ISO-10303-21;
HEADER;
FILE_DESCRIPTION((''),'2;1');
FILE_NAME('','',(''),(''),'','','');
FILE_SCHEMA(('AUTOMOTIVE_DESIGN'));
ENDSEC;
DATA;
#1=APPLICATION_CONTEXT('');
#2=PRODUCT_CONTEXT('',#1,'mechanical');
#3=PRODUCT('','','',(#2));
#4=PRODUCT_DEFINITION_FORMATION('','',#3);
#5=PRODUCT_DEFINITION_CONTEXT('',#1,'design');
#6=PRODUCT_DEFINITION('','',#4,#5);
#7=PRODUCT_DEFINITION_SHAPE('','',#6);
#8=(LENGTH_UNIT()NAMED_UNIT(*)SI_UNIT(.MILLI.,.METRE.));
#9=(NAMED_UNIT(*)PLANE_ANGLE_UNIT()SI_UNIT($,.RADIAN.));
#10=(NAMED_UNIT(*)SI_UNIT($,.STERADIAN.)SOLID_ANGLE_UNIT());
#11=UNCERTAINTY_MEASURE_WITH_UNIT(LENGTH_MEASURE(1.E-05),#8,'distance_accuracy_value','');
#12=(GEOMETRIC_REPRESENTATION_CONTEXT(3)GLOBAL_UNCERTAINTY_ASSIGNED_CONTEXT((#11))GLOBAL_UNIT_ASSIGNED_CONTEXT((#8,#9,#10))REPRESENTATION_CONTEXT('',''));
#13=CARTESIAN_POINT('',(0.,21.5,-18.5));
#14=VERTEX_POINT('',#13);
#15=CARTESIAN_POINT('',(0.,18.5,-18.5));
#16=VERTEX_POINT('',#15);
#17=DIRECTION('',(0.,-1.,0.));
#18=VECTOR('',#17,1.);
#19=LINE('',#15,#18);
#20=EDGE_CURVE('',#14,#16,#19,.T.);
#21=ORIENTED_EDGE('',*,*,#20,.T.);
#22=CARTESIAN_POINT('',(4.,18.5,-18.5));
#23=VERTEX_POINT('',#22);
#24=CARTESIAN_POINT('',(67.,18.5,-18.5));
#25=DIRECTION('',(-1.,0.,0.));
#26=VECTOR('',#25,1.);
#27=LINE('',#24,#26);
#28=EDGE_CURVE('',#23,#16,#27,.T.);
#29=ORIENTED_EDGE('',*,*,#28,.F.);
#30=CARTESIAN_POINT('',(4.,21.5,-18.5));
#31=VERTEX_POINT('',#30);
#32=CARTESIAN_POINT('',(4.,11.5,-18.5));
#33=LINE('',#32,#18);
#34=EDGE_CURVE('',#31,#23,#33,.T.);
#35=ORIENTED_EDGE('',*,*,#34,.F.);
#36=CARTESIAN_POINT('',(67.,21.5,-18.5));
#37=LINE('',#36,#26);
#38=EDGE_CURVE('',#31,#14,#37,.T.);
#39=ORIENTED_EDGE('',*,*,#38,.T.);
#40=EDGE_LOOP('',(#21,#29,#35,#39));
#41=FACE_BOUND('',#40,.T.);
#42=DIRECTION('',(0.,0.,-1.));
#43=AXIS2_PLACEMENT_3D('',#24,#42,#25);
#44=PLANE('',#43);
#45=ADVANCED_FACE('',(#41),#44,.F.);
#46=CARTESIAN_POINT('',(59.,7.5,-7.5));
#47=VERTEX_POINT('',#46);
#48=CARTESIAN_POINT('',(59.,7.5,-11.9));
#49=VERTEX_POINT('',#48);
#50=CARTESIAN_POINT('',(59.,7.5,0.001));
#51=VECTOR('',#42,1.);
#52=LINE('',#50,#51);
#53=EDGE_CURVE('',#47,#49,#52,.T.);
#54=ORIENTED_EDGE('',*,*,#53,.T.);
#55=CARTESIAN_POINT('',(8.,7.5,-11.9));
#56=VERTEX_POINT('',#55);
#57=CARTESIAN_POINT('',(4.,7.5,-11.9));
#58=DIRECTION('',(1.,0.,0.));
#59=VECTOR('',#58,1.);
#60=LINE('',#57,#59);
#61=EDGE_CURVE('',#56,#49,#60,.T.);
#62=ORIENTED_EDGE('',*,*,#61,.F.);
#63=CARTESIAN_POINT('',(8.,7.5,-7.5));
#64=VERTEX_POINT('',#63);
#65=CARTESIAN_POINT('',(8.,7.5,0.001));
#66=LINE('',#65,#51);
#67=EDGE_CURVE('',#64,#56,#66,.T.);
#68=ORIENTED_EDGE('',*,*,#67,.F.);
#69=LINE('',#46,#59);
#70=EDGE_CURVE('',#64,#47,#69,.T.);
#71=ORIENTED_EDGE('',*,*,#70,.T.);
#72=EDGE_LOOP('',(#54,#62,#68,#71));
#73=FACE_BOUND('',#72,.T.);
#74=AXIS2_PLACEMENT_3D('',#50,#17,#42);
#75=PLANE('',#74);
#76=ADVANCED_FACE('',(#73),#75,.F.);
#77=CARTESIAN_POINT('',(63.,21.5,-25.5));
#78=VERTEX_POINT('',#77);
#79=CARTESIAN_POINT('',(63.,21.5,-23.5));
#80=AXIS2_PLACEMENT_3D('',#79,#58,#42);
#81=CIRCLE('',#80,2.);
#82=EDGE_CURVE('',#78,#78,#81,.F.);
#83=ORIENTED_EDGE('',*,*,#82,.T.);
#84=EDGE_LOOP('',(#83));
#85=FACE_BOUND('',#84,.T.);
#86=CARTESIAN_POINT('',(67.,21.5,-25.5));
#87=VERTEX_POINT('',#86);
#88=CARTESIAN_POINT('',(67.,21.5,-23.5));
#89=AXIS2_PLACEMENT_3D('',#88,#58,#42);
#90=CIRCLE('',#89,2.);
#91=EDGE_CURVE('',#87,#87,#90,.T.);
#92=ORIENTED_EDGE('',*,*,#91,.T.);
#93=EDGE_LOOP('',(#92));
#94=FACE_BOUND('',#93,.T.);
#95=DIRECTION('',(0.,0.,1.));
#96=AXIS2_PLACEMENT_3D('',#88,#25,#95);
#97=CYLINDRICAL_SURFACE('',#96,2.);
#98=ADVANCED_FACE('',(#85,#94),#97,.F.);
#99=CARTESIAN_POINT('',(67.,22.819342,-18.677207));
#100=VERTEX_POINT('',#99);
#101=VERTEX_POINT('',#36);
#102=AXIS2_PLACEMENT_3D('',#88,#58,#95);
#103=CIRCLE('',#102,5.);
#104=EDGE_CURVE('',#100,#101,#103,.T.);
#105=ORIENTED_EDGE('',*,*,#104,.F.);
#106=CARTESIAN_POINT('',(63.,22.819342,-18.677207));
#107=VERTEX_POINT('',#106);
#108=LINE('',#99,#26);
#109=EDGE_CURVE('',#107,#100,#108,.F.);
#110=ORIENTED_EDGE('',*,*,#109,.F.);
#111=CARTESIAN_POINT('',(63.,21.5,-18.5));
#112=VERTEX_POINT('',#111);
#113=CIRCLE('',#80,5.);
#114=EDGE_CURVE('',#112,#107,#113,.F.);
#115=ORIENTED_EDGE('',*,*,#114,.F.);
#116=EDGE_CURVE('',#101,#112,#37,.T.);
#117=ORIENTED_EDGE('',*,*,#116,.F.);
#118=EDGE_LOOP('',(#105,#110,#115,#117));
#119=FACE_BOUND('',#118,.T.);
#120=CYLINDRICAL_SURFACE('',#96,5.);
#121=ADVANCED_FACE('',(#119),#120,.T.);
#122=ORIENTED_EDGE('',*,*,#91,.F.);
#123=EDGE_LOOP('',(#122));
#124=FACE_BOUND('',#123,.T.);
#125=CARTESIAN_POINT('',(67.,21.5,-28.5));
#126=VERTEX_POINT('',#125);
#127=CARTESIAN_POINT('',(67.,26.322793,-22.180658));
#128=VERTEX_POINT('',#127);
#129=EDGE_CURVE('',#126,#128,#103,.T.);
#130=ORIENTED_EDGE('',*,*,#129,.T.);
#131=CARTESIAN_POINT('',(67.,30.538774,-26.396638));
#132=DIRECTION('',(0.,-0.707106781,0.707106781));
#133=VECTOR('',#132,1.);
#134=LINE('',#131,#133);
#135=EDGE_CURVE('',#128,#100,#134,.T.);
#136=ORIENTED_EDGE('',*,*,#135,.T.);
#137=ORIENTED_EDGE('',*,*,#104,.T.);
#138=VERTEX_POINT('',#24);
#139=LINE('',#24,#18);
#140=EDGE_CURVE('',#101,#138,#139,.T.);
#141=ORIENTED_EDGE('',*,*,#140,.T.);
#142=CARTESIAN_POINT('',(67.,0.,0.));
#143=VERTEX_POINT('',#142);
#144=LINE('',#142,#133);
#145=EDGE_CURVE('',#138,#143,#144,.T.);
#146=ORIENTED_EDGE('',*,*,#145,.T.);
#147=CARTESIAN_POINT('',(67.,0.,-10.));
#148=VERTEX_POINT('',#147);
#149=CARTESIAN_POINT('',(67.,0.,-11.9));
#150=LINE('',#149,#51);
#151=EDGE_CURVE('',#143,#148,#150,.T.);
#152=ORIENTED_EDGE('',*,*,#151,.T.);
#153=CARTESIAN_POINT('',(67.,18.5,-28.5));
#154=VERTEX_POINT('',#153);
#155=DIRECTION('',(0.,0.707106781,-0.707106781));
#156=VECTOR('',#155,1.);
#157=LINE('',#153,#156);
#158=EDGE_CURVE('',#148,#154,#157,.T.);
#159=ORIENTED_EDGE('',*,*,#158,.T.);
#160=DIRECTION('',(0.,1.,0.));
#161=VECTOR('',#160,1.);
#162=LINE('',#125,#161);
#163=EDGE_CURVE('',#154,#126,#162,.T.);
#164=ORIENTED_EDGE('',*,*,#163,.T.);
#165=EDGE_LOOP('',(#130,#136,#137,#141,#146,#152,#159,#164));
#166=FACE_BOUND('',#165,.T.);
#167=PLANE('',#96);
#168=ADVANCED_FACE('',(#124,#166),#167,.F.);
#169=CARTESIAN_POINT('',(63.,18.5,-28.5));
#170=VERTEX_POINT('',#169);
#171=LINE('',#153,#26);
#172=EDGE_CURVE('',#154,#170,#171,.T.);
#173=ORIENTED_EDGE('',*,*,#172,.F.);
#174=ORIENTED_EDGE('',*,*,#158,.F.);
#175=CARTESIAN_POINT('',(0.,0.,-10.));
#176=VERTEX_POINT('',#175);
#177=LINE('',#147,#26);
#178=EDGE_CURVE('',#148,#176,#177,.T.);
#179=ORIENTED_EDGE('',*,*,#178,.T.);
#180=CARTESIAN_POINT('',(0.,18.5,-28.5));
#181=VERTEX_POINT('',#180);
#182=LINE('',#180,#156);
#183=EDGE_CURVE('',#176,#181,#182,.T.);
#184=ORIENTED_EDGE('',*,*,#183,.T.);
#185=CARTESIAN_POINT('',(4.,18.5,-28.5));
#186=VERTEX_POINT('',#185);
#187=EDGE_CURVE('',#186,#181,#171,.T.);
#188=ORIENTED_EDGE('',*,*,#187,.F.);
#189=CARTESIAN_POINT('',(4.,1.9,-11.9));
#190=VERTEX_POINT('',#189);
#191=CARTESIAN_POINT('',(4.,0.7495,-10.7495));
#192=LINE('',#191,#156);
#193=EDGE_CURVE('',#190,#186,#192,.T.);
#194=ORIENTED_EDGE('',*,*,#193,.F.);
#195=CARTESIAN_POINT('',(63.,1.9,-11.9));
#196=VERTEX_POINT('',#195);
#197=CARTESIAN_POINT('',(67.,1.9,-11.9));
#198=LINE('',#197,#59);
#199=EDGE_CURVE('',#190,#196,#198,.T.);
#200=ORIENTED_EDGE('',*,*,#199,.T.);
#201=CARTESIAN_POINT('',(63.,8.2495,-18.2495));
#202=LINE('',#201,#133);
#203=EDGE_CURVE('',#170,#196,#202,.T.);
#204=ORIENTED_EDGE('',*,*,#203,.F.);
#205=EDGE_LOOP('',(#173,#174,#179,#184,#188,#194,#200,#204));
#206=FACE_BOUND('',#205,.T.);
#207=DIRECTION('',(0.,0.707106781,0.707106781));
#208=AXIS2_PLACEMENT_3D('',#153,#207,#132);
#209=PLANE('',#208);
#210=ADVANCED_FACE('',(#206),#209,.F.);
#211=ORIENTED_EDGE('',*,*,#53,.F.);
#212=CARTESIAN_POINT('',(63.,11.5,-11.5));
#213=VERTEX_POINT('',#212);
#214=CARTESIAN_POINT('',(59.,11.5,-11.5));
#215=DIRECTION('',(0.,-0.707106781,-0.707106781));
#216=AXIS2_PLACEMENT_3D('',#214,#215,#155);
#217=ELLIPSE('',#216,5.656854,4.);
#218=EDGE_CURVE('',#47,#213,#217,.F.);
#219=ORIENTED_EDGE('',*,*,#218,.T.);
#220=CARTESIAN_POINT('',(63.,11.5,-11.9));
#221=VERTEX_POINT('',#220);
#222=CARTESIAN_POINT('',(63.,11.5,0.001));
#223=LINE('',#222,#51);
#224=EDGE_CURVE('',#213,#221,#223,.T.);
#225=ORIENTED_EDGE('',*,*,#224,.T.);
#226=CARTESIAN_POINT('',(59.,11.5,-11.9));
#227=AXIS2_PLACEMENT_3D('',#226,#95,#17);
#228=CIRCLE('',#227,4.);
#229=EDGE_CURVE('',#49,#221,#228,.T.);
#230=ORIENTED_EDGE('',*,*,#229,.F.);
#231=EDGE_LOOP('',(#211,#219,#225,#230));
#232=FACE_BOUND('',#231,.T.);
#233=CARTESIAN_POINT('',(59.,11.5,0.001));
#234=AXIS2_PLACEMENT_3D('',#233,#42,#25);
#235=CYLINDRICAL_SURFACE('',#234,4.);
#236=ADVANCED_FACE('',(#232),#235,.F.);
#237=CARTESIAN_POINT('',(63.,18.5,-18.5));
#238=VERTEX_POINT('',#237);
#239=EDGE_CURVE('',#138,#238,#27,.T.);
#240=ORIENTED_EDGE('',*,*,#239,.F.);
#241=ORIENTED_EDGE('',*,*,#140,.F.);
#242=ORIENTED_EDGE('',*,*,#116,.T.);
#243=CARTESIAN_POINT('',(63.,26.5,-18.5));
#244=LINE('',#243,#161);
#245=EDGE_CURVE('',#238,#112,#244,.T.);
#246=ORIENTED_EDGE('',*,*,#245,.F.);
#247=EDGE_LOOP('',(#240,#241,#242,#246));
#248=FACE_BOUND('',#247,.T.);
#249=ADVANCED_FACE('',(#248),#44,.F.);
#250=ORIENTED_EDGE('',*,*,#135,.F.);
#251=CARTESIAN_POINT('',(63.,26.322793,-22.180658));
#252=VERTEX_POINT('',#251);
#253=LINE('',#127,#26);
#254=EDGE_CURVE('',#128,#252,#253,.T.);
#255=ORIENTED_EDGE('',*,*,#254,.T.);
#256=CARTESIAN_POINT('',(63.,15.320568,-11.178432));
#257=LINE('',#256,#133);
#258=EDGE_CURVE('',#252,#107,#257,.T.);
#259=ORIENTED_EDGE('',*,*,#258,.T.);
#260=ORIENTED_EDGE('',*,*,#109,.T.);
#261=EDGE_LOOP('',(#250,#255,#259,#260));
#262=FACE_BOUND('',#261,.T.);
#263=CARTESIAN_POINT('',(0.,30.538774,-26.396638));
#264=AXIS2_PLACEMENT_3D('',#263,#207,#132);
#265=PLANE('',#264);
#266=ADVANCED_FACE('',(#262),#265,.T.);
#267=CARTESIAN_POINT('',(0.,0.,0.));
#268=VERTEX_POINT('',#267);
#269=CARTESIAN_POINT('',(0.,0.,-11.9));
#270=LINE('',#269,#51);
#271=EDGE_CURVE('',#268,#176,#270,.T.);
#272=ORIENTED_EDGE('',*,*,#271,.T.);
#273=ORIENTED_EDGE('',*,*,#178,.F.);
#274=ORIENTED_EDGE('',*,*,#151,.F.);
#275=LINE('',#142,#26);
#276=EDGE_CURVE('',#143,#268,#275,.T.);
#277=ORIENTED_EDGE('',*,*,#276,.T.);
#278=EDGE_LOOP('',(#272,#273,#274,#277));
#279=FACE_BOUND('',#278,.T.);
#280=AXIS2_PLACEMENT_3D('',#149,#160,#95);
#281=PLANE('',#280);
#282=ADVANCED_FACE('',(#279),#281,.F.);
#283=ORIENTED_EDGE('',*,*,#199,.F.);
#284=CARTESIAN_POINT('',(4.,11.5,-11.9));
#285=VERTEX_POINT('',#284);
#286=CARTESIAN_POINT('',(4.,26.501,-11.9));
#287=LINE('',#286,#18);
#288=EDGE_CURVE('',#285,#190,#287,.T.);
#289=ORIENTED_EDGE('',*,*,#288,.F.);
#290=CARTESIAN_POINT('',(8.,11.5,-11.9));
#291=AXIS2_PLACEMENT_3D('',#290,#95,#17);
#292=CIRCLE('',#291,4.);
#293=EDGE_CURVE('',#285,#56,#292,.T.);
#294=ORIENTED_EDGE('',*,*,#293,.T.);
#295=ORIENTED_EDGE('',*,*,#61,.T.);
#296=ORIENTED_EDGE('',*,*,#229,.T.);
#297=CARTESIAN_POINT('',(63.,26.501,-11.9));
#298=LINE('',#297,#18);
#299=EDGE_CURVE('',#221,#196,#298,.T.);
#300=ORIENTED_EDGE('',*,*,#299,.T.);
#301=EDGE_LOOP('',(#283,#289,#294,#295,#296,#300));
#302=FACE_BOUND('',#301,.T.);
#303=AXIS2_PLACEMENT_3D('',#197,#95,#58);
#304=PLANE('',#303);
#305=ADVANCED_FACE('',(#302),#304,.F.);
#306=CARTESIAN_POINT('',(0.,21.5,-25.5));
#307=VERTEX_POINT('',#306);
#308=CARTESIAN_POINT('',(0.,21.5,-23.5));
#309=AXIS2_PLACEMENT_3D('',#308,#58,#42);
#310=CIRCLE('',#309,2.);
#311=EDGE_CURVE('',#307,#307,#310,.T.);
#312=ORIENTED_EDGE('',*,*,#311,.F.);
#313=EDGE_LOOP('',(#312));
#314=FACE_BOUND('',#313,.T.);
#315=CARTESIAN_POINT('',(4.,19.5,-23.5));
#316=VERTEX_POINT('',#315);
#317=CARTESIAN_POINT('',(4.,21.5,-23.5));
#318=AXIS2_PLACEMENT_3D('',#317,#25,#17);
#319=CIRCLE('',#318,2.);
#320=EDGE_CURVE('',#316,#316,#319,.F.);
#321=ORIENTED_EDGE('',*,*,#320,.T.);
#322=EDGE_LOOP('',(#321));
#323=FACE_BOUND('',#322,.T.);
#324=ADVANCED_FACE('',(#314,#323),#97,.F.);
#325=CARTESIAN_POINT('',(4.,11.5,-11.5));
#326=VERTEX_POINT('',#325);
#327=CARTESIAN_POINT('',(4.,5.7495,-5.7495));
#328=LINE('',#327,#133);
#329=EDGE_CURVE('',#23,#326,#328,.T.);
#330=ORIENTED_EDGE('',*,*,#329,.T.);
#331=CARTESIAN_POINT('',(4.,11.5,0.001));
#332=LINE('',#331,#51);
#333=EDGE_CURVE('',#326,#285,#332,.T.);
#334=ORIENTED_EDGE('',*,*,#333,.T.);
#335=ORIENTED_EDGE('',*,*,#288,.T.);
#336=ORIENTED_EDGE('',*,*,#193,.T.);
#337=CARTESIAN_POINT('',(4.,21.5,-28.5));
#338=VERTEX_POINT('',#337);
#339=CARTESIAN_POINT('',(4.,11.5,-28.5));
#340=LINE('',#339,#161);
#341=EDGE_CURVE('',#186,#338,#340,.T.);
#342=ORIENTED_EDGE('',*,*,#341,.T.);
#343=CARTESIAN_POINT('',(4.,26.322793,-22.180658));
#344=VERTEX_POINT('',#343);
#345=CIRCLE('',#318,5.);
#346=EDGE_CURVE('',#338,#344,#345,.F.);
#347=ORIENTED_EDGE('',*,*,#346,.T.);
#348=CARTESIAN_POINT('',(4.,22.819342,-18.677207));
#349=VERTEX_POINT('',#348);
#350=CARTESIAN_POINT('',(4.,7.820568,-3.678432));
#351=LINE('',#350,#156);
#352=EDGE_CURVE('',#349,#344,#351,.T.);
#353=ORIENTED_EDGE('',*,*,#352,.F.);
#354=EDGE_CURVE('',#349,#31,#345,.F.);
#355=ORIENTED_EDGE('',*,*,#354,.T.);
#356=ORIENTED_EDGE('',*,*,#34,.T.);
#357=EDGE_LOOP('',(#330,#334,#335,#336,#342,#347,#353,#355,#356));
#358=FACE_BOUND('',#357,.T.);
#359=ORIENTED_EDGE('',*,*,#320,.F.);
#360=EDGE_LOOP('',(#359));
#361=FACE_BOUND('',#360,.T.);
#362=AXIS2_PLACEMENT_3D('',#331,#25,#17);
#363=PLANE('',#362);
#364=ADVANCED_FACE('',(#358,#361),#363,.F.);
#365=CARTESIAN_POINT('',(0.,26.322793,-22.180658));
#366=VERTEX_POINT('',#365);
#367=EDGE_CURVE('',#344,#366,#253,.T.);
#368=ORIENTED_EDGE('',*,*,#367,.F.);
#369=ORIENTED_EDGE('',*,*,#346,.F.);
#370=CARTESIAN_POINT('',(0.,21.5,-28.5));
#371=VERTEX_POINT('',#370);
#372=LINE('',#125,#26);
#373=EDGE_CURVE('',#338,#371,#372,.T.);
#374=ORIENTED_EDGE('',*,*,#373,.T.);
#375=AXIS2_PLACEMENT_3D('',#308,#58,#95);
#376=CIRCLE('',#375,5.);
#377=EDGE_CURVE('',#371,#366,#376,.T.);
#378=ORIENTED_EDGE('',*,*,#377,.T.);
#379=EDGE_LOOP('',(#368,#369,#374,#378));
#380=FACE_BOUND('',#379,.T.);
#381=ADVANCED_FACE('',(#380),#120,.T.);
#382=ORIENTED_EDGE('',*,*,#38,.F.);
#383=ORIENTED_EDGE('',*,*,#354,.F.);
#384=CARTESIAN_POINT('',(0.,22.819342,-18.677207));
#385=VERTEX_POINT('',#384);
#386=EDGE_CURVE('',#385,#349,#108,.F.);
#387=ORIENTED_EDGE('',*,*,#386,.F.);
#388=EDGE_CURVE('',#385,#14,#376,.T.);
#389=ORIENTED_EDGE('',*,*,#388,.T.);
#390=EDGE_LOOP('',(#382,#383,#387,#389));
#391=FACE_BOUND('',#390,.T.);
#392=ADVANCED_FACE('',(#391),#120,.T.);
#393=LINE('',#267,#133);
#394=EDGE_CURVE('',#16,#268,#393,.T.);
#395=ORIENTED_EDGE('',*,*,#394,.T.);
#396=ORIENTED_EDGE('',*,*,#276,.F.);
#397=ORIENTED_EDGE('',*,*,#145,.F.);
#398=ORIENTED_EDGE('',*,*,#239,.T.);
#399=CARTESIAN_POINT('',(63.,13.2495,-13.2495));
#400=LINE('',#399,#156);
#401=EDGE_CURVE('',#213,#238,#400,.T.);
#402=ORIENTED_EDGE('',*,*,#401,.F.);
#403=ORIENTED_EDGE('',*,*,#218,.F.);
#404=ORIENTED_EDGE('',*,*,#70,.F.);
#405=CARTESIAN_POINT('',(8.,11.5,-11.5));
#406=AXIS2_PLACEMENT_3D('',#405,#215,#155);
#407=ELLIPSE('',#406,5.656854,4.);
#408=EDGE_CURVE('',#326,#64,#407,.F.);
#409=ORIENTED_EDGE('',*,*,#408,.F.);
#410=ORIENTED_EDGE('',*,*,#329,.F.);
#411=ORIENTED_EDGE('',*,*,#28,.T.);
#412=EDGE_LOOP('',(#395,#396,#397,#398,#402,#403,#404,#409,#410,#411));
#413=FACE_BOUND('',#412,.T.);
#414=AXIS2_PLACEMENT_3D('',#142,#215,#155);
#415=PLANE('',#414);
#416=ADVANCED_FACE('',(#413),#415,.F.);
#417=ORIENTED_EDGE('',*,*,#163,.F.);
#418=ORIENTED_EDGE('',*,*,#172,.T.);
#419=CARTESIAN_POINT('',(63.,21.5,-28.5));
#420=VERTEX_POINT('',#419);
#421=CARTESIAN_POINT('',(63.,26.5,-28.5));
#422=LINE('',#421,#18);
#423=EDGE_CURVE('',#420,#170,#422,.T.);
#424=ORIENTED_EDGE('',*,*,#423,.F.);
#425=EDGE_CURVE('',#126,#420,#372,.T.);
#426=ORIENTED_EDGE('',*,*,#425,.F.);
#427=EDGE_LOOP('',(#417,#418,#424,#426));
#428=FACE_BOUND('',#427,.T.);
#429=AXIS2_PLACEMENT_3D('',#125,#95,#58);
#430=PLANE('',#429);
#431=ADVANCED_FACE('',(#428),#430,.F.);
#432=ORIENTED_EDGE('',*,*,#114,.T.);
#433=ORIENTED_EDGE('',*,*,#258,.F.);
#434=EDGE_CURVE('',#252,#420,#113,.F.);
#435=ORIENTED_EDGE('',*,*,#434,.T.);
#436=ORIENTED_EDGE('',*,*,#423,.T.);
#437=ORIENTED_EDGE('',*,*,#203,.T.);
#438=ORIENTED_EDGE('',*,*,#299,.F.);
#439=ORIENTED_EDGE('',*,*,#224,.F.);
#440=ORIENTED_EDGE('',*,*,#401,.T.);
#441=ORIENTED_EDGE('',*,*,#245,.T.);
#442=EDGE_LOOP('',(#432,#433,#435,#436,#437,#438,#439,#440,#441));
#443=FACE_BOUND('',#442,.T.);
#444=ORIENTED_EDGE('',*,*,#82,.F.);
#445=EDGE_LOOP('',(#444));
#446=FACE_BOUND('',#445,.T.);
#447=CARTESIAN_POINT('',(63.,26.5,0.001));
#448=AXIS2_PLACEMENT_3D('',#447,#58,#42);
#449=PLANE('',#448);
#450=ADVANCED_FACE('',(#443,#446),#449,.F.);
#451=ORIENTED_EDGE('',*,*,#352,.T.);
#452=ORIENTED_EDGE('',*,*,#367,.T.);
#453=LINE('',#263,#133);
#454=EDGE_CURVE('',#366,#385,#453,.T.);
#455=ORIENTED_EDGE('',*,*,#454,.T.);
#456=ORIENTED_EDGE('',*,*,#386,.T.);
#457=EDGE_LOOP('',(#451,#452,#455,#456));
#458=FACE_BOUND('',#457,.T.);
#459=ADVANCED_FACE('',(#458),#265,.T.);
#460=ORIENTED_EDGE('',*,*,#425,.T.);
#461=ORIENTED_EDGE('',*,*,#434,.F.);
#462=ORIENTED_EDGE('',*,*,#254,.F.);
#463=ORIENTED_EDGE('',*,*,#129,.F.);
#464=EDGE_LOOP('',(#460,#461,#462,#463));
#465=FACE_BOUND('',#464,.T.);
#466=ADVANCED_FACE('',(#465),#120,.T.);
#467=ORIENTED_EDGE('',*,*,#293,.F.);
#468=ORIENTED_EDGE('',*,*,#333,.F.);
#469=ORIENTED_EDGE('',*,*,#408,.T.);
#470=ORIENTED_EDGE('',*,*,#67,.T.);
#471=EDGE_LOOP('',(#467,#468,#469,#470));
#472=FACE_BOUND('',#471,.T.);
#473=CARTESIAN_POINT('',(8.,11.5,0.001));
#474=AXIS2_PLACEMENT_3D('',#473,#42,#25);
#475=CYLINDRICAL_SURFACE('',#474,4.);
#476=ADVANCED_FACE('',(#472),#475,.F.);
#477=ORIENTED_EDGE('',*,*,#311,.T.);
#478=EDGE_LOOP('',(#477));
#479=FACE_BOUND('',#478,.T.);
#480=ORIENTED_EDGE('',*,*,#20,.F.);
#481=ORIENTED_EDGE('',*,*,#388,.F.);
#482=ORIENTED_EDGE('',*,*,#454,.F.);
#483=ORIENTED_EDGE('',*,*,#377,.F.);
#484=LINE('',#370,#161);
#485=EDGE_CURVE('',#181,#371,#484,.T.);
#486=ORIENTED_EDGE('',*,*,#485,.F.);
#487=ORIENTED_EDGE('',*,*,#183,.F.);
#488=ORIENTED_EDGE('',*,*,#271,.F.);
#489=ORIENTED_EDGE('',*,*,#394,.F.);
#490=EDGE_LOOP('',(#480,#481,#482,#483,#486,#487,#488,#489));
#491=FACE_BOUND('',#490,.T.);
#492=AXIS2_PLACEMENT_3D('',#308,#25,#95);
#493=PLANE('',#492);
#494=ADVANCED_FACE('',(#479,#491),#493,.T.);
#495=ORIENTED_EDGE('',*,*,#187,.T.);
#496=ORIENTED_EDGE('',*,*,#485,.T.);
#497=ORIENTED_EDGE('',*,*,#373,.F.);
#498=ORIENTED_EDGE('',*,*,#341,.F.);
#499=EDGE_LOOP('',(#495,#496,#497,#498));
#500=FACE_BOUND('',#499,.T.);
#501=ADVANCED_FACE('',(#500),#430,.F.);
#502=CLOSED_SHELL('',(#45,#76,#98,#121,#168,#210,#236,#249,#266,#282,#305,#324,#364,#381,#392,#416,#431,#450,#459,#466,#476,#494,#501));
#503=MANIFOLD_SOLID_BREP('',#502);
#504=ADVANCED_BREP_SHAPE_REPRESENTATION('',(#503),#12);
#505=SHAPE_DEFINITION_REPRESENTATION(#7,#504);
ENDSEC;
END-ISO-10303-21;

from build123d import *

# Parameters (mm, degrees)
SKETCH1_R           = 2
BOSS_EXTRUDE1_DEPTH = 67
CUT_EXTRUDE1_REACH  = 30.5
CUT_EXTRUDE2_REACH  = 28.5
SKETCH3_W           = 59
SKETCH3_H           = 9.6
SKETCH4_OUTSIDE_W   = 45.996
SKETCH4_OUTSIDE_H   = 43.996
CUT_EXTRUDE3_DEPTH  = 68


with BuildPart() as part:
    # Sketch1 → Boss-Extrude1 (new body)
    with BuildSketch(Plane(origin=(0, 0, 0), x_dir=(0, 0, -1), z_dir=(1, 0, 0))):
        with BuildLine():
            Line((11.9, 1.9), (11.9, 0))
            Line((11.9, 0), (0, 0))
            Line((0, 0), (18.5, 18.5))
            Line((18.5, 18.5), (18.5, 21.5))
            ThreePointArc((18.5, 21.5), (23.5, 26.5), (28.5, 21.5))
            Line((28.5, 21.5), (28.5, 18.5))
            Line((28.5, 18.5), (11.9, 1.9))
        make_face()
        with Locations((23.5, 21.5)):
            Circle(SKETCH1_R, mode=Mode.SUBTRACT)
    extrude(amount=BOSS_EXTRUDE1_DEPTH)

    # Sketch2 → Cut-Extrude1 (cut, up to next)
    with BuildSketch(Plane(origin=(0, 0, -28.5), x_dir=(-1, 0, 0), z_dir=(0, 0, -1)), mode=Mode.PRIVATE) as cut_extrude1_sk1:
        with BuildLine():
            Line((-63, 26.5), (-63, 11.5))
            ThreePointArc((-63, 11.5), (-61.828427125, 8.671572875), (-59, 7.5))
            Line((-59, 7.5), (-8, 7.5))
            ThreePointArc((-8, 7.5), (-5.171572875, 8.671572875), (-4, 11.5))
            Line((-4, 11.5), (-4, 26.5))
            Line((-4, 26.5), (-63, 26.5))
        make_face()
    cut_extrude1_tool1 = extrude(cut_extrude1_sk1.sketch, amount=-CUT_EXTRUDE1_REACH, mode=Mode.PRIVATE) & part.part
    add(cut_extrude1_tool1.solids().sort_by_distance((33.5, 17.053049, -28.5))[0], mode=Mode.SUBTRACT)

    # Sketch3 → Cut-Extrude2 (cut, up to next)
    with BuildSketch(Plane.XZ, mode=Mode.PRIVATE) as cut_extrude2_sk1:
        with Locations((33.5, -16.7)):
            Rectangle(SKETCH3_W, SKETCH3_H)
    cut_extrude2_tool1 = extrude(cut_extrude2_sk1.sketch, amount=-CUT_EXTRUDE2_REACH, mode=Mode.PRIVATE) & part.part
    add(cut_extrude2_tool1.solids().sort_by_distance((33.5, 0, -16.7))[0], mode=Mode.SUBTRACT)

    # Sketch4 outside → Cut-Extrude3 (cut, through all)
    with BuildSketch(Plane(origin=(67, 0, 0), x_dir=(0, 0, -1), z_dir=(1, 0, 0))):
        with Locations((14.25, 13.25)):
            Rectangle(SKETCH4_OUTSIDE_W, SKETCH4_OUTSIDE_H)
        Polygon((26.396638245, 30.538773869), (-4.319805153, -0.17766953), (2.751262658, -7.248737342), (33.467706057, 23.467706057), align=None, mode=Mode.SUBTRACT)
    extrude(amount=-CUT_EXTRUDE3_DEPTH, mode=Mode.SUBTRACT)


solid = part.part
